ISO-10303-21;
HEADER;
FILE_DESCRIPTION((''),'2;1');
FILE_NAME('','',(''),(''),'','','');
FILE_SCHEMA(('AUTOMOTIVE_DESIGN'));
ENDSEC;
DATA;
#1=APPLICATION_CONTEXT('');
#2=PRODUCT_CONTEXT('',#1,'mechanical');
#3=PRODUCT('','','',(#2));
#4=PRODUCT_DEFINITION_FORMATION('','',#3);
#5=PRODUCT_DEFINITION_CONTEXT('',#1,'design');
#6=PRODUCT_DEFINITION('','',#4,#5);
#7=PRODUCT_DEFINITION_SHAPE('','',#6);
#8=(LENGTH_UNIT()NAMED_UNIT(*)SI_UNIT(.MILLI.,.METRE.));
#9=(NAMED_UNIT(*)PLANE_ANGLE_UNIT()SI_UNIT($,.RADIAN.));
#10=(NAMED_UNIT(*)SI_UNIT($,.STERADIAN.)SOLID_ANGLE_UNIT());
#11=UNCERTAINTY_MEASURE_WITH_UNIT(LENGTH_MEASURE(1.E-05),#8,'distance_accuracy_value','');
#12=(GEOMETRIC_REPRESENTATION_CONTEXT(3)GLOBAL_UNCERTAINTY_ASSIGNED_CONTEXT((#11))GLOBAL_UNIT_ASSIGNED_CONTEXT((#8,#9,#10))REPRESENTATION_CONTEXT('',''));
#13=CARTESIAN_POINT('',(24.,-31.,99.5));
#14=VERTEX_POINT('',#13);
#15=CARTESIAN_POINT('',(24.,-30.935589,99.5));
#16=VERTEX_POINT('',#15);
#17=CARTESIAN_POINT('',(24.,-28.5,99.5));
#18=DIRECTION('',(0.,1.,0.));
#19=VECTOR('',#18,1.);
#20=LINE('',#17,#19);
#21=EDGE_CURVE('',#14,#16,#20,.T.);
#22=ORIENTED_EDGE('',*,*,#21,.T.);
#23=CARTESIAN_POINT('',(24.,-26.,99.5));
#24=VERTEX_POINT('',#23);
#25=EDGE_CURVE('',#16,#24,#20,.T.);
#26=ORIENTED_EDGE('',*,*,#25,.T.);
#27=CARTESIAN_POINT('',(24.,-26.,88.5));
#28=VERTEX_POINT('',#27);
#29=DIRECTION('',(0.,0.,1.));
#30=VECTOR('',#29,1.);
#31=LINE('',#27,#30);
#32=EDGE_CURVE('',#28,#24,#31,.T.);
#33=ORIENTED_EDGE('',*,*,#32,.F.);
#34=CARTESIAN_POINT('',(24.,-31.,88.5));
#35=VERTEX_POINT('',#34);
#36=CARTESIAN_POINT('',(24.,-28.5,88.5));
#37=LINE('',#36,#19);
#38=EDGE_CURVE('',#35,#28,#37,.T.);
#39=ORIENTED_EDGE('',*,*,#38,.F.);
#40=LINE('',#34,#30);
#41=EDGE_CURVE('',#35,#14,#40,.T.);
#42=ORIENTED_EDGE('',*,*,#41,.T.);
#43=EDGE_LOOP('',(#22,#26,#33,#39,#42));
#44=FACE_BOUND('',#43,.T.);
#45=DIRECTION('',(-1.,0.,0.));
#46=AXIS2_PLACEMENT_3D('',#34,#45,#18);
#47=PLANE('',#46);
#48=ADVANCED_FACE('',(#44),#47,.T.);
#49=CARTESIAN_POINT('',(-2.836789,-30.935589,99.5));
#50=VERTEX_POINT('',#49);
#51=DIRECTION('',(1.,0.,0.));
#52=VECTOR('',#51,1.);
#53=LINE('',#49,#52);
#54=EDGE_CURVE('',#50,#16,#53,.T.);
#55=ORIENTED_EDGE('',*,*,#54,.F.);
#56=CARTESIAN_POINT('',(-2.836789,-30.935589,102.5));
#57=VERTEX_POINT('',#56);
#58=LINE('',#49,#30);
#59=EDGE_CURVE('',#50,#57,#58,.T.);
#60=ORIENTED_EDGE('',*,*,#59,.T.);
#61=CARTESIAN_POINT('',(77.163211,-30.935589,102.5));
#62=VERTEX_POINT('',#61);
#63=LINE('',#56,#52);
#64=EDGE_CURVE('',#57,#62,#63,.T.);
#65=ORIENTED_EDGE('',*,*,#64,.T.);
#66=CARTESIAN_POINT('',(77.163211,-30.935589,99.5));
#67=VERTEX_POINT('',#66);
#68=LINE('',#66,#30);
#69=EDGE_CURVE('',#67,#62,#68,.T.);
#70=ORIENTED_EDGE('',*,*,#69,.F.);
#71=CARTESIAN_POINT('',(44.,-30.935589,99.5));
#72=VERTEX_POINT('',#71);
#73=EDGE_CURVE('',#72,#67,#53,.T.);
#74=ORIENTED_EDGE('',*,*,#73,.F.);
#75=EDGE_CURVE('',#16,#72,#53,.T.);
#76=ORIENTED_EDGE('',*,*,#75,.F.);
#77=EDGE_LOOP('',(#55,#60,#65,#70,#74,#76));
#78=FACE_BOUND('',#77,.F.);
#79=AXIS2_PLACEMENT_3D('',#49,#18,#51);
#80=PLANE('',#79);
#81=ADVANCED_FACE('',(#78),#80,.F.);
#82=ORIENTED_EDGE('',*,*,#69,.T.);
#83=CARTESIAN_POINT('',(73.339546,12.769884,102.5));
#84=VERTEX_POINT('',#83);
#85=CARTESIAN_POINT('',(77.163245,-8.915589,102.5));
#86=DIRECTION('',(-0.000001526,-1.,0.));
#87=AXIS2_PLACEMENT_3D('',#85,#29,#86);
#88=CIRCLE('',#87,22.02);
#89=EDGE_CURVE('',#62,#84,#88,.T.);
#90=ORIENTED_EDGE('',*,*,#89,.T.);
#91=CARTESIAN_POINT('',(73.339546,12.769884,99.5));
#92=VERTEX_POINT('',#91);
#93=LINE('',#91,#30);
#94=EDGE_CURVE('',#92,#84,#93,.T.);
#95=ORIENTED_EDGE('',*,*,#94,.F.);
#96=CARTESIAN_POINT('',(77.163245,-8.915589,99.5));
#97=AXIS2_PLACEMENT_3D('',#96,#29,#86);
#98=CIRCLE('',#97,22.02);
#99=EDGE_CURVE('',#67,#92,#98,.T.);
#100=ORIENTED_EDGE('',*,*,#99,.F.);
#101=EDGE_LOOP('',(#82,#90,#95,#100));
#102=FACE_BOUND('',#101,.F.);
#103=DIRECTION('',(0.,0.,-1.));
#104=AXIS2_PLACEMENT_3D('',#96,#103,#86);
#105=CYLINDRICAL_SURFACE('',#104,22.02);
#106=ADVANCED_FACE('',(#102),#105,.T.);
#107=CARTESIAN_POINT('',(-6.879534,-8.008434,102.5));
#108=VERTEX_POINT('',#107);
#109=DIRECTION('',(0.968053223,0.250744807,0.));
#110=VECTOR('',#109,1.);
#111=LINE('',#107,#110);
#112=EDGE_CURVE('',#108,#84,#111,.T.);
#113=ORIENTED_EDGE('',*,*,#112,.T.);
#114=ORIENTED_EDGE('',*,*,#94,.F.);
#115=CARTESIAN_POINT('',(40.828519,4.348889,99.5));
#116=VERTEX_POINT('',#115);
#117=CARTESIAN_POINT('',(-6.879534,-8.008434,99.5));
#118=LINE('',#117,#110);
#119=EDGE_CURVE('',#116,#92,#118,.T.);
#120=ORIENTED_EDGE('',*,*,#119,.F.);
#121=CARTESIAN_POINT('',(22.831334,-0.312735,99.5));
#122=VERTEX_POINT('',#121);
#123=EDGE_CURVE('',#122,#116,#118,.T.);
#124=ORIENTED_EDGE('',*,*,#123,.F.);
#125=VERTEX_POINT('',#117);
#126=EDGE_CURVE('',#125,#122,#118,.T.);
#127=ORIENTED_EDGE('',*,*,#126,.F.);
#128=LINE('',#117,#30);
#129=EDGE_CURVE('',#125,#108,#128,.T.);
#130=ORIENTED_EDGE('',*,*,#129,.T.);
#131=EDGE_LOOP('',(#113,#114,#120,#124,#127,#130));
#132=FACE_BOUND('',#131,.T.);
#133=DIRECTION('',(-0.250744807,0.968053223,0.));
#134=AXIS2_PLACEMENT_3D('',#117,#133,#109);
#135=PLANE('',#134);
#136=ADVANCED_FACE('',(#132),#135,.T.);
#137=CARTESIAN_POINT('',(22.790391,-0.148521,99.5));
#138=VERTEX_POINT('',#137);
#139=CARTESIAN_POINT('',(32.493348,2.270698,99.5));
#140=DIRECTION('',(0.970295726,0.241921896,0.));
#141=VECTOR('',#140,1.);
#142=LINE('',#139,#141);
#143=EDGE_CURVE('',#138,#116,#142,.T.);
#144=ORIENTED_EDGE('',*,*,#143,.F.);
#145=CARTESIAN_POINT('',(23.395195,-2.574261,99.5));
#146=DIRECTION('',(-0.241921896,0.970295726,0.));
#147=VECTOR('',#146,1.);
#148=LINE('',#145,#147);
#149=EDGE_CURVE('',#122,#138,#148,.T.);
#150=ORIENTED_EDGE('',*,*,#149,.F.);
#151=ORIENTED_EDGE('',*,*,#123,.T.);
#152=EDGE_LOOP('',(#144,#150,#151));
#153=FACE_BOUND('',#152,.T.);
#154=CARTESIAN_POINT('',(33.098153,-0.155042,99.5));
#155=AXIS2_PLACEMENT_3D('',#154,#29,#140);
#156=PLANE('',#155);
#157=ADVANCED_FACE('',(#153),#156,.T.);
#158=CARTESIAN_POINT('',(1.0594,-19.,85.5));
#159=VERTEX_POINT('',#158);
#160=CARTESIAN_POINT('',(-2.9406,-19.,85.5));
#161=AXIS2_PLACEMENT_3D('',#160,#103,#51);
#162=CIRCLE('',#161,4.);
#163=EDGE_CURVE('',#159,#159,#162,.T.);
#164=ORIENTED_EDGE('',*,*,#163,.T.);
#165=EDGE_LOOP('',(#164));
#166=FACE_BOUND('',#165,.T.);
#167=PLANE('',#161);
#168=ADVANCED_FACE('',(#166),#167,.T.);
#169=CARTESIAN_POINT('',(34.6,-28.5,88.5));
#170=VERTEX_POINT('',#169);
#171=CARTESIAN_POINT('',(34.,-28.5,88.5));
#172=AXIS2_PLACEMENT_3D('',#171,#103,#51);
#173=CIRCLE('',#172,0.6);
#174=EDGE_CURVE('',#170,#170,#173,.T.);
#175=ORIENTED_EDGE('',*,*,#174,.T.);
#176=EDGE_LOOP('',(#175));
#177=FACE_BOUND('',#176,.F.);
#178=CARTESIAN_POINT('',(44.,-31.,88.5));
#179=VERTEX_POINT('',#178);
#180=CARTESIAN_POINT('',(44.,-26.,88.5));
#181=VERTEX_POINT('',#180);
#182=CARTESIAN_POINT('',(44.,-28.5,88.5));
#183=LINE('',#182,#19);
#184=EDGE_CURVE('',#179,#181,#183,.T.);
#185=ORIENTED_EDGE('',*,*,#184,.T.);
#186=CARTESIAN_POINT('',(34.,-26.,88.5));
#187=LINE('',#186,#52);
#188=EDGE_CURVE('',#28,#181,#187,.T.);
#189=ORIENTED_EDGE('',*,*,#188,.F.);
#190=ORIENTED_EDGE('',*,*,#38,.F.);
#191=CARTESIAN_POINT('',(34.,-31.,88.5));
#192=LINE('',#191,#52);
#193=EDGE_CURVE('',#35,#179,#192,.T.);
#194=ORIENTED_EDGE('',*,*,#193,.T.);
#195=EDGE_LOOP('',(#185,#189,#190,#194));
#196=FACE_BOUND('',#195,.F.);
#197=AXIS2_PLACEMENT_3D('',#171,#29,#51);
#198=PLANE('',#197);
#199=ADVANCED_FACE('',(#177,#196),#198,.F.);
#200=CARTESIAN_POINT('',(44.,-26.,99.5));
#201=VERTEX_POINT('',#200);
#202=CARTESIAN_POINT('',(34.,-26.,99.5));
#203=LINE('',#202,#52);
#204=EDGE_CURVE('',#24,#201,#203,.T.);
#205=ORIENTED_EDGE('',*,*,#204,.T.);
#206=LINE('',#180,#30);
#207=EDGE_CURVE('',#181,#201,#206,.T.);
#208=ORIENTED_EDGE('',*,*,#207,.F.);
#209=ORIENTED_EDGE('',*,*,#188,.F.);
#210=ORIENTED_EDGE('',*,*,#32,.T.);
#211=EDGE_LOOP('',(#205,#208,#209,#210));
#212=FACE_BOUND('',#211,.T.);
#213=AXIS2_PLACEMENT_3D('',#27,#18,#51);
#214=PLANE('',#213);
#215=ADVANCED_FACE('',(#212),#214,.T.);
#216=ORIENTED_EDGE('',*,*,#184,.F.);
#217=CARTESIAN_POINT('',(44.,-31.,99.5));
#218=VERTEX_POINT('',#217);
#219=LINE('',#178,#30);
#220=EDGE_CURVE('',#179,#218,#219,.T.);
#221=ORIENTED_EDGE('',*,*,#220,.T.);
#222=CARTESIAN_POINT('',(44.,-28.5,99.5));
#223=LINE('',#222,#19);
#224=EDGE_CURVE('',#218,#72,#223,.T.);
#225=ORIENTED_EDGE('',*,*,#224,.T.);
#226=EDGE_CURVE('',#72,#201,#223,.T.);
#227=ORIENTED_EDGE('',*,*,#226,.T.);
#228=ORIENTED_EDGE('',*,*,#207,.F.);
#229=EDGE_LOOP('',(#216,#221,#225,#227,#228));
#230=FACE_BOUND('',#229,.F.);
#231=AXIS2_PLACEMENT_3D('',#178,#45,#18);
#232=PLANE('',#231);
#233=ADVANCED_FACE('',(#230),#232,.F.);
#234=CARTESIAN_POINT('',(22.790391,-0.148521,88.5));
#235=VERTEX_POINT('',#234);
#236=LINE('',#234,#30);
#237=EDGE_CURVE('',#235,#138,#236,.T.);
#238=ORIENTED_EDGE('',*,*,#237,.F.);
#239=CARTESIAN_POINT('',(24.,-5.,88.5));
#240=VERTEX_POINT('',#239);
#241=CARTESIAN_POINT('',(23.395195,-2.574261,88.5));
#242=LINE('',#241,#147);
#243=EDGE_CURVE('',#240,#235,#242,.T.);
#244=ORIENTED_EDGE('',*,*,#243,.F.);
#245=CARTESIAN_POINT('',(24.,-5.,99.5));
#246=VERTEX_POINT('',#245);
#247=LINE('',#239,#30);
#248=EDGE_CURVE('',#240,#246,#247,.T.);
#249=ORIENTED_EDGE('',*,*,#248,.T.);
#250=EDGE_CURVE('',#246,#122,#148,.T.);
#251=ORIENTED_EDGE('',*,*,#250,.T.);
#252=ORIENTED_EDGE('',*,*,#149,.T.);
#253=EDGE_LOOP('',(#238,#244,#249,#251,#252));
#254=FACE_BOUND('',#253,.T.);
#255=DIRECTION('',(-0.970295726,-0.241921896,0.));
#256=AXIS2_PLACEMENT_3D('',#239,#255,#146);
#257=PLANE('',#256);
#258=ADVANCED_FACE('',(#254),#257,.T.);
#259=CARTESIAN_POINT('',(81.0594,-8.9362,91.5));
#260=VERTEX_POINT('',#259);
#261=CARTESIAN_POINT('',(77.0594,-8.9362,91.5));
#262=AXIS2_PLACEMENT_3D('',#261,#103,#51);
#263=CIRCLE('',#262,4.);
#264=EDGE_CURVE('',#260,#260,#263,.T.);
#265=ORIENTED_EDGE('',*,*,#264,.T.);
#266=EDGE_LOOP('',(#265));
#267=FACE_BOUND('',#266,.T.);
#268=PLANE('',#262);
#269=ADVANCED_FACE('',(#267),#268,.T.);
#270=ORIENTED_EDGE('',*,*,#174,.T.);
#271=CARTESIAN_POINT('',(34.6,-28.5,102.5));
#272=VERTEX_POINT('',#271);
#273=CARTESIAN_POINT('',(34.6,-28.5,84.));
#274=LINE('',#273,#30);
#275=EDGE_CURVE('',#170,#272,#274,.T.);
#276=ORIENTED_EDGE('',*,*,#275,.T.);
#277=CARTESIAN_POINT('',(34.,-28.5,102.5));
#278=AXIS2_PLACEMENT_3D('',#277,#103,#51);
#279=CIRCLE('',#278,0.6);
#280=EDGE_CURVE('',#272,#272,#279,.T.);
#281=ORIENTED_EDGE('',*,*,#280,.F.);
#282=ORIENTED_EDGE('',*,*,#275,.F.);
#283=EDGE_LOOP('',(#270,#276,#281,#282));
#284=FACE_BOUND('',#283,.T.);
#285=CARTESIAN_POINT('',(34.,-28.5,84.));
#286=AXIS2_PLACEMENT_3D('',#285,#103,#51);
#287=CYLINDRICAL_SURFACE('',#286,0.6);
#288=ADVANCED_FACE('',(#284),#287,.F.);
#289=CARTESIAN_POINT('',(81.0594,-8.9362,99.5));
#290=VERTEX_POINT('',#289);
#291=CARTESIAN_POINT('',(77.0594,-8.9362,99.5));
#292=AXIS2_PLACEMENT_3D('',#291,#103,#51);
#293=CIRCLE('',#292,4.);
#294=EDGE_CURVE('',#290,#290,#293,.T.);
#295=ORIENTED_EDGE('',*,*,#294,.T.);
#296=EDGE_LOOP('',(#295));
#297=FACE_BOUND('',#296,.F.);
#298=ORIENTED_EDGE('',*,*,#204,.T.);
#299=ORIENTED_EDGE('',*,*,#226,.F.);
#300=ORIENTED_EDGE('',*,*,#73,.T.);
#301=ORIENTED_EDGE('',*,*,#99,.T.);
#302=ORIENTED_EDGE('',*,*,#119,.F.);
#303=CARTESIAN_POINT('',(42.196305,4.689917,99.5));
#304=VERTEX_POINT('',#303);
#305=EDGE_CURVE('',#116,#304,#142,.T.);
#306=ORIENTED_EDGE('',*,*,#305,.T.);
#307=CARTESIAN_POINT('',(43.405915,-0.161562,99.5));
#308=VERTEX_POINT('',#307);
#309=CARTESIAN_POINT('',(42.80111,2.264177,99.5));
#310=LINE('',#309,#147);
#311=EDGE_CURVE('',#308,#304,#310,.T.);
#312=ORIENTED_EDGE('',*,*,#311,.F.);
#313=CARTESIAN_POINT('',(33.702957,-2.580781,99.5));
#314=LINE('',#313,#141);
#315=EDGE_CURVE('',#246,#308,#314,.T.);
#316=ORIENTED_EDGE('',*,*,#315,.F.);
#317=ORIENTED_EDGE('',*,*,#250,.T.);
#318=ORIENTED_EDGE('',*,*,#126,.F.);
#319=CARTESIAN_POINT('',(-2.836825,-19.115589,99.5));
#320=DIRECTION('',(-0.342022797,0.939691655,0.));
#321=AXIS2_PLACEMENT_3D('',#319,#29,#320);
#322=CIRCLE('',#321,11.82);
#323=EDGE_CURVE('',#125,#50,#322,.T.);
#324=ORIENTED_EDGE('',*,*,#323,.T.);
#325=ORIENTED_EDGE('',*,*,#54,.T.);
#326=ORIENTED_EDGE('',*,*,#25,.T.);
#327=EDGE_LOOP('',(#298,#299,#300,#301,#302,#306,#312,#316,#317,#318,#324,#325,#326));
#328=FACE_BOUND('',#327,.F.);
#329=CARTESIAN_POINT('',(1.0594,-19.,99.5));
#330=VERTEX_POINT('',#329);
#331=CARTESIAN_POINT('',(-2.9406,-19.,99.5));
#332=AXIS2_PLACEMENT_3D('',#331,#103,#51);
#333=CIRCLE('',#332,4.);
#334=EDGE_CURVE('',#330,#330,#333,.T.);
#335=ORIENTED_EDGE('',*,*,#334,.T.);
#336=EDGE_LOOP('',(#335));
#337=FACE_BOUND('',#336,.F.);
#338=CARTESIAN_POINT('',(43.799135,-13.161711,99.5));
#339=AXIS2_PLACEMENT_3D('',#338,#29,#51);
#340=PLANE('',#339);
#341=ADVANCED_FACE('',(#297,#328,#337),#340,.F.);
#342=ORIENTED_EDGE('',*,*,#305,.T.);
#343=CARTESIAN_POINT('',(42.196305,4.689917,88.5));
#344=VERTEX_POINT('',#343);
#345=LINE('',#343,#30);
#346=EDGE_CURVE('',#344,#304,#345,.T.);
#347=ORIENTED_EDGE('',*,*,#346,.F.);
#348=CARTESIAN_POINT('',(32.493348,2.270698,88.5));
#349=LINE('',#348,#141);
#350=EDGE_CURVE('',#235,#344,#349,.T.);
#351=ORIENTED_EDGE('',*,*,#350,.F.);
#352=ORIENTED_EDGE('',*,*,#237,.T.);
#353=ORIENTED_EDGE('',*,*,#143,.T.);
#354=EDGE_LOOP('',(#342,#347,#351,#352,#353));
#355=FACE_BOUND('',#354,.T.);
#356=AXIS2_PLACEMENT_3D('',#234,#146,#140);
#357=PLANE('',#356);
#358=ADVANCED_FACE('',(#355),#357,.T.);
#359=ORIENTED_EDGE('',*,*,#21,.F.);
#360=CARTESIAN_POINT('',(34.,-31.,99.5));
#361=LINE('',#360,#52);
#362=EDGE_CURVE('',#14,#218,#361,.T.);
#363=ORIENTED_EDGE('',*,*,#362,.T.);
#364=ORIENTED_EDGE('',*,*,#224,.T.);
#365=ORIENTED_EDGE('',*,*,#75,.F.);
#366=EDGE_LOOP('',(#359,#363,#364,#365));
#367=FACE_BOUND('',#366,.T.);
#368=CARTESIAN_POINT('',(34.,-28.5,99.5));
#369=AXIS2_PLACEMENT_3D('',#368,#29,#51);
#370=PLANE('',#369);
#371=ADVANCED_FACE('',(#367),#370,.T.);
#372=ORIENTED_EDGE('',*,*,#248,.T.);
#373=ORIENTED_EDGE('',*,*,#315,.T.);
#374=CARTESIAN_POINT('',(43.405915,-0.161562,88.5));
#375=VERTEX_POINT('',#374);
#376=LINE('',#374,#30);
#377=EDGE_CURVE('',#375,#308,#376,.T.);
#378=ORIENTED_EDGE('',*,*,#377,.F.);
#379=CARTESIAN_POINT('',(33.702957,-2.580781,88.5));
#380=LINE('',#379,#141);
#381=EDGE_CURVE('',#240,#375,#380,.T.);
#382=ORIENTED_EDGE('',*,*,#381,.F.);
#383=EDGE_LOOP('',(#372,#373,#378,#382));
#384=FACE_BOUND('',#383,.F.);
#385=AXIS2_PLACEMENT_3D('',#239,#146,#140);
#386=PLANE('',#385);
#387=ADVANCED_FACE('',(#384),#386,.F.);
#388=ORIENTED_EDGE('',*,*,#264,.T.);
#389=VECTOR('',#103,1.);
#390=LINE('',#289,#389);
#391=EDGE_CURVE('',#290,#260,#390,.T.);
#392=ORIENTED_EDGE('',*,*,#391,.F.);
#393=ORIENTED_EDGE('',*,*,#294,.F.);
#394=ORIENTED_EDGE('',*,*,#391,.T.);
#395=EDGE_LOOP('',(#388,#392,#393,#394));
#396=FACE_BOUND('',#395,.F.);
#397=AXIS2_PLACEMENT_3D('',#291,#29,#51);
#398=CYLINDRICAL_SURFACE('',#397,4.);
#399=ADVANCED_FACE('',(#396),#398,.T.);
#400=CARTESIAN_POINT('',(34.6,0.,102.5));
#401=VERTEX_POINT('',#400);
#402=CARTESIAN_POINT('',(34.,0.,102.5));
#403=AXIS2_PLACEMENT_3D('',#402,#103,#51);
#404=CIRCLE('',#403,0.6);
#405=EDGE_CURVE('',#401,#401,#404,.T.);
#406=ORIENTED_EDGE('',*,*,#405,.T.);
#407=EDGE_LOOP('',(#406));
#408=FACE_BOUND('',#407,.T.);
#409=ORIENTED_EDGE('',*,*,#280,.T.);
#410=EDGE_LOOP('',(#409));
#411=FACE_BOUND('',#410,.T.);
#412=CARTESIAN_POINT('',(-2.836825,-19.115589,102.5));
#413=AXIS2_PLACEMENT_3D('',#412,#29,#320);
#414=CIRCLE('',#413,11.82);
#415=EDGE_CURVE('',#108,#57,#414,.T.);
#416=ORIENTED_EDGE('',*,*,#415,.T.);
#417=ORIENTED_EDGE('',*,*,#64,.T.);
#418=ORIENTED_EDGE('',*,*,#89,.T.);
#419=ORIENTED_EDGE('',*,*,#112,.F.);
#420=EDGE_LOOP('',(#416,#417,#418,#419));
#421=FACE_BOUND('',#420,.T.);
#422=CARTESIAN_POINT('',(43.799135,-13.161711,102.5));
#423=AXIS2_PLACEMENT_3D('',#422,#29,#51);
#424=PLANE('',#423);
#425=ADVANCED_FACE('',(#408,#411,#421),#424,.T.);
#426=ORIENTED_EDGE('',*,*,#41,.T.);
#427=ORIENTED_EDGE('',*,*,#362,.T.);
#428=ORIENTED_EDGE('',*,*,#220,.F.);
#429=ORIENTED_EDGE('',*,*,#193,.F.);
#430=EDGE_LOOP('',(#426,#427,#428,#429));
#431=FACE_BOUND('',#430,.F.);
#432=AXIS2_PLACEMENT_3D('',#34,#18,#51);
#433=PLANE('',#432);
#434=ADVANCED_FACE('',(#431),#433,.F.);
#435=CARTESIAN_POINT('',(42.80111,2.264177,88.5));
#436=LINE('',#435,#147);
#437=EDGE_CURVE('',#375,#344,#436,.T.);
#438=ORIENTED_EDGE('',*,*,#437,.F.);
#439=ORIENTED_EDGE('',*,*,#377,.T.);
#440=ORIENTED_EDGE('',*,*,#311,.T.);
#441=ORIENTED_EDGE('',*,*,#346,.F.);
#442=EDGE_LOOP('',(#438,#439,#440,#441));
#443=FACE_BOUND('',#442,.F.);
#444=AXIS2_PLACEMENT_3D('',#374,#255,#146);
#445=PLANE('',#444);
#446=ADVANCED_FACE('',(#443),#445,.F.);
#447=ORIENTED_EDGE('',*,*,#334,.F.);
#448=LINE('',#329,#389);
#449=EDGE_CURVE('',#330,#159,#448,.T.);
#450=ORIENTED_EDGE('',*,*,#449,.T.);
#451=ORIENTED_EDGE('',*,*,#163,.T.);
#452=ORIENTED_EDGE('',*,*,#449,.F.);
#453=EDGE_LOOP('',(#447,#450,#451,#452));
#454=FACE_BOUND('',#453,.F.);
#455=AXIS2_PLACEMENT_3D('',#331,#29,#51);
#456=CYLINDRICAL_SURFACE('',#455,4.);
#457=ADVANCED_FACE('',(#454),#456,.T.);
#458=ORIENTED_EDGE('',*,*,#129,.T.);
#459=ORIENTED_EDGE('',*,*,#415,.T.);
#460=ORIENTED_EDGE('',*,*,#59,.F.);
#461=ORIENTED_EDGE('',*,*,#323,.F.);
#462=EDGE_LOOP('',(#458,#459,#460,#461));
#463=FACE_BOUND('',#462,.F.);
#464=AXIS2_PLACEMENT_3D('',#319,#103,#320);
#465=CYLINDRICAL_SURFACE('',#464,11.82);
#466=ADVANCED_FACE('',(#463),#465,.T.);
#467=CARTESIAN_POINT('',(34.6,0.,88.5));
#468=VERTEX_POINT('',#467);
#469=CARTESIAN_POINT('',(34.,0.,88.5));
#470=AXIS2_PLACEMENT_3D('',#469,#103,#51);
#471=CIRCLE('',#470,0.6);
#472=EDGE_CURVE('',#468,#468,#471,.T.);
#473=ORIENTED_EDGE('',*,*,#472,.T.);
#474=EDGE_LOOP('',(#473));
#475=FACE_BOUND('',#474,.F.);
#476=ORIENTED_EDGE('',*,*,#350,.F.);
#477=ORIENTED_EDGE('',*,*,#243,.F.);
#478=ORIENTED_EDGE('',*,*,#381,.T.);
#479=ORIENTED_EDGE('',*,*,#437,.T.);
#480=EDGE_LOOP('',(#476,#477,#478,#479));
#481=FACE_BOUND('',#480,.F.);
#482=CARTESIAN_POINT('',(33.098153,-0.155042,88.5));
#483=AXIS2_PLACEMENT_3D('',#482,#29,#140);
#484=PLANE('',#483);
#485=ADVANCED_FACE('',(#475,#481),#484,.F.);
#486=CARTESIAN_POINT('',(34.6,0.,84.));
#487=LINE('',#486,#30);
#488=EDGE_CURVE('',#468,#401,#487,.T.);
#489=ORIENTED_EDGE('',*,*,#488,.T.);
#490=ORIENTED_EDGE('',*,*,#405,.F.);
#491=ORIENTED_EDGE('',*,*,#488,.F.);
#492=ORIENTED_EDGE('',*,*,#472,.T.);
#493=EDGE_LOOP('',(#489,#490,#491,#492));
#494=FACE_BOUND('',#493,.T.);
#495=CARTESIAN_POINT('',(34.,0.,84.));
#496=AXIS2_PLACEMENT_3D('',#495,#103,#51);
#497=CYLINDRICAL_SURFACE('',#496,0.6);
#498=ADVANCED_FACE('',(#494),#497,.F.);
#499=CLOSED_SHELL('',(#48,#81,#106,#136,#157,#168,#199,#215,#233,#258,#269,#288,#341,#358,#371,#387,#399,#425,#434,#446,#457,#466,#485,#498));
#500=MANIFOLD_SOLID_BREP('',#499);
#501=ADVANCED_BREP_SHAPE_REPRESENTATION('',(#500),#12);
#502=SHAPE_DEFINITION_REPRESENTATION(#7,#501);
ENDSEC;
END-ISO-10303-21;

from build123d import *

# Parameters (mm, degrees)
CYLINDER012_R          = 0.6
CYLINDER012_DEPTH      = 20
CYLINDER011_R          = 0.6
CYLINDER011_DEPTH      = 20
BOX010_W               = 20
BOX010_H               = 5
BOX010_DEPTH           = 11
PAD001_DEPTH           = 3
SKETCH005_R            = 4
PAD002_DEPTH           = 8
SKETCH006_R            = 4
PAD003_DEPTH           = 14
BOX009_W               = 20
BOX009_H               = 5
BOX009_DEPTH           = 11
BOX009_PLACEMENT_ANGLE = 14


with BuildPart() as cylinder047:
    # Cylinder012 → Cylinder012 (new body)
    with BuildSketch(Plane(origin=(55, 19, -5), x_dir=(1, 0, 0), z_dir=(0, 0, 1))):
        Circle(CYLINDER012_R)
    extrude(amount=CYLINDER012_DEPTH)


with BuildPart() as cylinder046:
    # Cylinder011 → Cylinder011 (new body)
    with BuildSketch(Plane(origin=(55, -9.5, -5), x_dir=(1, 0, 0), z_dir=(0, 0, 1))):
        Circle(CYLINDER011_R)
    extrude(amount=CYLINDER011_DEPTH)


with BuildPart() as cube010:
    # Box010 → Box010 (new body)
    with BuildSketch(Plane(origin=(45, -12, -0.5), x_dir=(1, 0, 0), z_dir=(0, 0, 1))):
        with Locations((10, 2.5)):
            Rectangle(BOX010_W, BOX010_H)
    extrude(amount=BOX010_DEPTH)


with BuildPart() as pad003:
    # Sketch004 → Pad001 (new body)
    with BuildSketch(Plane.XY.offset(10.5)):
        with BuildLine():
            ThreePointArc((14.120466, 10.991566), (6.522754, -2.168145), (18.163211, -11.935589))
            Line((18.163211, -11.935589), (98.163211, -11.935589))
            ThreePointArc((98.163211, -11.935589), (120.099455, 12.003546), (94.339546, 31.769884))
            Line((14.120466, 10.991566), (94.339546, 31.769884))
        make_face()
    extrude(amount=PAD001_DEPTH)

    # Sketch005 → Pad002 (new body)
    with BuildSketch(Plane(origin=(0, 0, 10.5), x_dir=(1, 0, 0), z_dir=(0, 0, -1))):
        with Locations((98.0594, -10.0638)):
            Circle(SKETCH005_R)
    extrude(amount=PAD002_DEPTH)

    # Sketch006 → Pad003 (new body)
    with BuildSketch(Plane(origin=(0, 0, 10.5), x_dir=(1, 0, 0), z_dir=(0, 0, -1))):
        with Locations((18.0594, 0)):
            Circle(SKETCH006_R)
    extrude(amount=PAD003_DEPTH)


with BuildPart() as tapa_con_taladros:
    # Box009 → Box009 (new body)
    with BuildSketch(Plane.XY):
        with Locations((10, 2.5)):
            Rectangle(BOX009_W, BOX009_H)
    extrude(amount=BOX009_DEPTH)


with BuildPart() as tapa_con_taladros_1:
    # Box009 placement: moved
    add(tapa_con_taladros.part.moved(Location((45, 14, -0.5))).rotate(Axis((45, 14, -0.5), (0, 0, 1)), BOX009_PLACEMENT_ANGLE))

    # Fusion005: union Cube010, Pad003
    add(cube010.part)
    add(pad003.part)

    # Cut011: cut Cylinder046
    add(cylinder046.part, mode=Mode.SUBTRACT)

    # Cut012: cut Cylinder047
    add(cylinder047.part, mode=Mode.SUBTRACT)


with BuildPart() as tapa_con_taladros_2:
    # Cut012 placement: moved
    add(tapa_con_taladros_1.part.moved(Location((-21, -19, 89))))


solid = tapa_con_taladros_2.part
